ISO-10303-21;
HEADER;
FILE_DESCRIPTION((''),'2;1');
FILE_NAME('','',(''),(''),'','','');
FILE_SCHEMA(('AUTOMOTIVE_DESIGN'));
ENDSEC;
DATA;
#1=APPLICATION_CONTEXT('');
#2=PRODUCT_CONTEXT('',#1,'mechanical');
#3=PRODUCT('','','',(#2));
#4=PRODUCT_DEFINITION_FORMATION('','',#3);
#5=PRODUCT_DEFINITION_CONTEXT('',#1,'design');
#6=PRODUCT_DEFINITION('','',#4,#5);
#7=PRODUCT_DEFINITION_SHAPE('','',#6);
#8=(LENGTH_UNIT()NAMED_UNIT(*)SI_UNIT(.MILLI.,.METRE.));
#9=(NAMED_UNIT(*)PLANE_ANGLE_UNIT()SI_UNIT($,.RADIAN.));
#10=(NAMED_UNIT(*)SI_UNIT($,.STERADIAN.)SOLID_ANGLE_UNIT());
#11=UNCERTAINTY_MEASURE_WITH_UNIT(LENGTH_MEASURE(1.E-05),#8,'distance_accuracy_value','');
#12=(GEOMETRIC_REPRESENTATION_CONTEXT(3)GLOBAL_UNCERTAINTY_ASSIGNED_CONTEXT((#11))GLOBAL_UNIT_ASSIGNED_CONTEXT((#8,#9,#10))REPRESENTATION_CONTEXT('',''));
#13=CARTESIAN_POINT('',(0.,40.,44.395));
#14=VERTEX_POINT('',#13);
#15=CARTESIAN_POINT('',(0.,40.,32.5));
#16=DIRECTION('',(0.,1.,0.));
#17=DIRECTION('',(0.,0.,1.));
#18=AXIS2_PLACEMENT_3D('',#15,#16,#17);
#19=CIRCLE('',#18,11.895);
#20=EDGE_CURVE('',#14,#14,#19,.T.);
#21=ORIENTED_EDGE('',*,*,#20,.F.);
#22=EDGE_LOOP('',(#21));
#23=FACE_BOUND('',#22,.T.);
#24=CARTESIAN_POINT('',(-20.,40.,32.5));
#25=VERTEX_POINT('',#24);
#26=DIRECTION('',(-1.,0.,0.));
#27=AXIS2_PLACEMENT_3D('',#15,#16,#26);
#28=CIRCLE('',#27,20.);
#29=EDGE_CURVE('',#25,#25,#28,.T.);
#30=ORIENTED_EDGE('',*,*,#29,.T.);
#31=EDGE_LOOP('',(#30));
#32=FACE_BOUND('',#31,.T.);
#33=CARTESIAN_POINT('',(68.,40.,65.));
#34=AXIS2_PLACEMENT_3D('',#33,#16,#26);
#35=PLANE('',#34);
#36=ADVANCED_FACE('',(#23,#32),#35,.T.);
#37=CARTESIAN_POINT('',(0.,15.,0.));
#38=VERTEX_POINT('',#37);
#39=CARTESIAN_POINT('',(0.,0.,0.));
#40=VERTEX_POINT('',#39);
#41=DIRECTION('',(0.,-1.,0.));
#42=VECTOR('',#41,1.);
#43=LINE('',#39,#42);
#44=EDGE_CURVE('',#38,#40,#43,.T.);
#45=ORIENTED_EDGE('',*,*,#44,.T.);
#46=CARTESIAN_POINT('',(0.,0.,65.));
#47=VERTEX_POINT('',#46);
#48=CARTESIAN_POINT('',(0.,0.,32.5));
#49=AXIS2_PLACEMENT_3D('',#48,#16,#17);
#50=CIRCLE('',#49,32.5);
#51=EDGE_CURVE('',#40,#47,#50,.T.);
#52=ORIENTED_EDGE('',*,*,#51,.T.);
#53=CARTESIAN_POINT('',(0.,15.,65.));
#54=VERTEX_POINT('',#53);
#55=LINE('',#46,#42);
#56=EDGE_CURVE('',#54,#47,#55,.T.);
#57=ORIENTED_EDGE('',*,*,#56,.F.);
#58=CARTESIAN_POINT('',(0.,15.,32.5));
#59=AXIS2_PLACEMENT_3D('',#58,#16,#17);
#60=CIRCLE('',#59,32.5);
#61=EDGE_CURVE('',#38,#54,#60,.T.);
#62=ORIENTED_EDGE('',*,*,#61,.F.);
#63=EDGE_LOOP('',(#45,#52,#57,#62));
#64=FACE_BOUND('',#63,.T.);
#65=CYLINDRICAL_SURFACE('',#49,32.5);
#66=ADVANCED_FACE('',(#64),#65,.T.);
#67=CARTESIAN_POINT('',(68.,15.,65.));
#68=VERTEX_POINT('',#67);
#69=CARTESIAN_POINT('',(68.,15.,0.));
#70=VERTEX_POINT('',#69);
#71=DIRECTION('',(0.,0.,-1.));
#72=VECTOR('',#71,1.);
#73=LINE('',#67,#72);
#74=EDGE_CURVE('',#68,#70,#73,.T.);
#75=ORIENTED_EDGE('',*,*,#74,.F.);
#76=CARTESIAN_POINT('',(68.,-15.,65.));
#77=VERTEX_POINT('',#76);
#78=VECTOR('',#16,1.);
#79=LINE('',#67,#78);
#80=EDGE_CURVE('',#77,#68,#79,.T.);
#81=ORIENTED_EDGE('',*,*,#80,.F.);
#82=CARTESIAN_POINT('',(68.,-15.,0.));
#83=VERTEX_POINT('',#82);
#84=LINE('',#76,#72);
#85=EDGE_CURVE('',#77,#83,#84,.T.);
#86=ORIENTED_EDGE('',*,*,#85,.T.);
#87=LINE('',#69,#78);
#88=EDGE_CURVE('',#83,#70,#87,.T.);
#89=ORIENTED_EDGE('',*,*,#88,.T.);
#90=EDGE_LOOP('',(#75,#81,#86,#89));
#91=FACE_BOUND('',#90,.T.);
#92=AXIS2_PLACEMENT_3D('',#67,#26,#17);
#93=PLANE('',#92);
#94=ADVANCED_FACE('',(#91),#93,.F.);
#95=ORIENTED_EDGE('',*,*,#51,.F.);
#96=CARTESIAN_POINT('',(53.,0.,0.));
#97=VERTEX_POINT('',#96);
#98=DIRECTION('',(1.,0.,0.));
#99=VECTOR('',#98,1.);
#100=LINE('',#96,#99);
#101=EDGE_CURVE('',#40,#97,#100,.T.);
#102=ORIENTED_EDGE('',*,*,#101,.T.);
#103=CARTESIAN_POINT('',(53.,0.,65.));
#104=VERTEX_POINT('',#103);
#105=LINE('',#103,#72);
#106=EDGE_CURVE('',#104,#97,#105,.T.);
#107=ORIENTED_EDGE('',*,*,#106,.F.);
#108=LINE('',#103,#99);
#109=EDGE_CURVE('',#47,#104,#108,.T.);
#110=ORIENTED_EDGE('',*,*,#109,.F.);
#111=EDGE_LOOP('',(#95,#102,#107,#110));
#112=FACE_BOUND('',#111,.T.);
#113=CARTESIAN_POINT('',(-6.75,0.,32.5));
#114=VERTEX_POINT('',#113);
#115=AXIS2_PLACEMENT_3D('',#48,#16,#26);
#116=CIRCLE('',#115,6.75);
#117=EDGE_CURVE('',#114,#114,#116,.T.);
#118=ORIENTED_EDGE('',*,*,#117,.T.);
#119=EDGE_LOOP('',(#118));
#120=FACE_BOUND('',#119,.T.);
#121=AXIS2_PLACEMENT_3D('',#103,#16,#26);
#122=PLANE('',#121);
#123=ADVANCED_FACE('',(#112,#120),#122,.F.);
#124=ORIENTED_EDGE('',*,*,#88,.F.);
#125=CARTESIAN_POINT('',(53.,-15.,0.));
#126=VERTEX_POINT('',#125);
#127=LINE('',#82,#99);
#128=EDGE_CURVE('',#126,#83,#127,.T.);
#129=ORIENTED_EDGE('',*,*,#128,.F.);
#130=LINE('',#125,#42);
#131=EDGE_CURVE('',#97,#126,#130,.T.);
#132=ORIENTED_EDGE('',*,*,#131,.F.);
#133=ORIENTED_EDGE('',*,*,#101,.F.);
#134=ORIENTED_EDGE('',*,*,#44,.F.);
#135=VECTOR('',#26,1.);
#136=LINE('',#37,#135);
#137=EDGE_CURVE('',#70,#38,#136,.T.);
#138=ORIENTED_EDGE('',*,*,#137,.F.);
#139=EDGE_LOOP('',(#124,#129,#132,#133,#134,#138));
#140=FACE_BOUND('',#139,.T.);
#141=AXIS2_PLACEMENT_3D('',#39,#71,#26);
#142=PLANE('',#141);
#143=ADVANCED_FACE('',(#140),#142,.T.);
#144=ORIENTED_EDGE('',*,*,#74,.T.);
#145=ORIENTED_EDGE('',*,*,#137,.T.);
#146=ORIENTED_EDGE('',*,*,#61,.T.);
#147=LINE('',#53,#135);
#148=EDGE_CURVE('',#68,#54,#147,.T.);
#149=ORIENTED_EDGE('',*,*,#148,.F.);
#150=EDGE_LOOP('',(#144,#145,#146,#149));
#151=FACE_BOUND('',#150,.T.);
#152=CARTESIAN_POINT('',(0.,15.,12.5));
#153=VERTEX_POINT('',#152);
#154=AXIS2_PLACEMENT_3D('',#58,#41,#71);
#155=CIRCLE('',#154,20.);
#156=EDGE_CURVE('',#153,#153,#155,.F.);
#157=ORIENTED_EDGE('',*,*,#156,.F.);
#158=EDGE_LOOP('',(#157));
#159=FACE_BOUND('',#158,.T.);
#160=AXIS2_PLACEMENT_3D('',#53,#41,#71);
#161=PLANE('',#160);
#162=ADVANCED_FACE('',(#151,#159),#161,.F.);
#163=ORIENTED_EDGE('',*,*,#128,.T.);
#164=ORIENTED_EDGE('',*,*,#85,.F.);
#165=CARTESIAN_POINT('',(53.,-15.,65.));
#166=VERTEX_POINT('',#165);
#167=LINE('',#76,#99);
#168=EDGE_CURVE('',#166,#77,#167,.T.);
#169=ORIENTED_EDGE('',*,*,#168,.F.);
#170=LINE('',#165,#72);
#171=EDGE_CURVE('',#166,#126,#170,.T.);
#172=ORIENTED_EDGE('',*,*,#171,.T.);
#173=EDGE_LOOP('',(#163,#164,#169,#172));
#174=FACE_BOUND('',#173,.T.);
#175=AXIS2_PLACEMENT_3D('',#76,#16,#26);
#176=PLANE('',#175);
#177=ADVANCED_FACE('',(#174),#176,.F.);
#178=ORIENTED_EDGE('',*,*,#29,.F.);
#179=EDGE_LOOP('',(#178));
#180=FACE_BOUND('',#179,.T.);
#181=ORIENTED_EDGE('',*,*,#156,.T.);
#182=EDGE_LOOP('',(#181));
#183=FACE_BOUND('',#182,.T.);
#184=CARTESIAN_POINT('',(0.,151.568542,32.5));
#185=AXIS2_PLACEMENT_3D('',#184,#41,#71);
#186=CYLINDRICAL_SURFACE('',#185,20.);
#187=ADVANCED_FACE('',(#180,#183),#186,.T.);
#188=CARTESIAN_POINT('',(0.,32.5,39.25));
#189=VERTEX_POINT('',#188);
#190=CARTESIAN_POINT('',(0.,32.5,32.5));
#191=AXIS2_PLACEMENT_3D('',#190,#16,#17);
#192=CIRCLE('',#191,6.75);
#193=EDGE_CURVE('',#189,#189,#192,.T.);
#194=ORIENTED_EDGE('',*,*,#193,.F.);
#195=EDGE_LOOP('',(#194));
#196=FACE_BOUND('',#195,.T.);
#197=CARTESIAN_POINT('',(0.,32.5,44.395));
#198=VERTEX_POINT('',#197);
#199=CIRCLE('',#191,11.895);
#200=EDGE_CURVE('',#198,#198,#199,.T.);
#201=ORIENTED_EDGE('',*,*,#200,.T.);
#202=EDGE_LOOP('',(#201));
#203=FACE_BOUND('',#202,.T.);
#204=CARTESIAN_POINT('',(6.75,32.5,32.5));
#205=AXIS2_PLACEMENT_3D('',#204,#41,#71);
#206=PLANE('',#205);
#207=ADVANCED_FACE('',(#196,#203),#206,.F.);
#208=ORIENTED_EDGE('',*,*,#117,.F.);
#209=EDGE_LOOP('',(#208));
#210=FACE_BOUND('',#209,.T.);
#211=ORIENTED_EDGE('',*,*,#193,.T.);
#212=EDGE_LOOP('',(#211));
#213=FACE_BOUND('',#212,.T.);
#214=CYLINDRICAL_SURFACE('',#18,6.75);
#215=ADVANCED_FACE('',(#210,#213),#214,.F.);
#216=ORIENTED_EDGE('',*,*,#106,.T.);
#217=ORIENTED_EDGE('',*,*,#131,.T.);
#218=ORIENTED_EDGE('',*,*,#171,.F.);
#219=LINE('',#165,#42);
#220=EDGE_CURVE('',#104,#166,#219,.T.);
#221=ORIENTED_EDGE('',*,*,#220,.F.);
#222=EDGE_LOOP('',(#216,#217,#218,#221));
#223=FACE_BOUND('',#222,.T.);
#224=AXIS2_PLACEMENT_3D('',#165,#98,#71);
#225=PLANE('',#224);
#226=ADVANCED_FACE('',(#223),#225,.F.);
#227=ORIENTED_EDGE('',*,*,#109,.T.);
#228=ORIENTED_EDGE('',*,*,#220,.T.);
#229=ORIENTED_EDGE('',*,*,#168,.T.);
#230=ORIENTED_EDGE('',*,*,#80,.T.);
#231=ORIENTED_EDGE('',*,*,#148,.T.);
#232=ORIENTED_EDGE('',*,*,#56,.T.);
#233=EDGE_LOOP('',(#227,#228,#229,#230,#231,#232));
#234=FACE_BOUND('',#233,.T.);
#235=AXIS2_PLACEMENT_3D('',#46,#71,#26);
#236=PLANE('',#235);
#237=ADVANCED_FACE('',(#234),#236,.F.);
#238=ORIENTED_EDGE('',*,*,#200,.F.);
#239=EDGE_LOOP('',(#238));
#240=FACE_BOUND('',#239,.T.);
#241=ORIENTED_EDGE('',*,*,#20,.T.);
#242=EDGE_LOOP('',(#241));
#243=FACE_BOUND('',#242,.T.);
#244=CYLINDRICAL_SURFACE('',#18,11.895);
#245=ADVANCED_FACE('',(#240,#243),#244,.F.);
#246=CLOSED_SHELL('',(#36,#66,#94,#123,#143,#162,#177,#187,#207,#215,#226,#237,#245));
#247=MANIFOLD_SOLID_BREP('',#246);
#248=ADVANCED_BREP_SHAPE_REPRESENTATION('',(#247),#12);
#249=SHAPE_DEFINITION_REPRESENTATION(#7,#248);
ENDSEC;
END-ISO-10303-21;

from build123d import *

# Parameters (mm, degrees)
BOSS_EXTRUDE1_DEPTH                                 = 65
BOSS_EXTRUDE2_START                                 = -15
SKETCH2_R                                           = 32.5
BOSS_EXTRUDE2_DEPTH                                 = 15
SKETCH3_R                                           = 20
BOSS_EXTRUDE4_DEPTH                                 = 25
CBORE_FOR_1_BINDING_HEAD_MACHINE_SCREW1_D           = 13.499999924
CBORE_FOR_1_BINDING_HEAD_MACHINE_SCREW1_CBORE_D     = 23.789999918
CBORE_FOR_1_BINDING_HEAD_MACHINE_SCREW1_CBORE_DEPTH = 7.499999986


with BuildPart() as part:
    # Sketch1 → Boss-Extrude1 (new body)
    with BuildSketch(Plane.XY):
        Polygon((0, 0), (0, 15), (68, 15), (68, -15), (53, -15), (53, 0), align=None)
    extrude(amount=BOSS_EXTRUDE1_DEPTH)

    # Sketch2 → Boss-Extrude2 (add)
    with BuildSketch(Plane(origin=(0, 15, 0), x_dir=(1, 0, 0), z_dir=(0, 1, 0)).offset(BOSS_EXTRUDE2_START)):
        with Locations((0, -32.5)):
            Circle(SKETCH2_R)
    extrude(amount=BOSS_EXTRUDE2_DEPTH)

    # Sketch3 → Boss-Extrude4 (add)
    with BuildSketch(Plane(origin=(0, 15, 0), x_dir=(1, 0, 0), z_dir=(0, 1, 0))):
        with Locations(Location((0, -32.5, 0), (0, 0, 90))):
            Circle(SKETCH3_R)
    extrude(amount=BOSS_EXTRUDE4_DEPTH)

    # CBORE for #1 Binding Head Machine Screw1 (through all)
    with Locations(Plane(origin=(0, 40, 0), x_dir=(1, 0, 0), z_dir=(0, 1, 0))):
        with Locations((0, -32.5)):
            CounterBoreHole(CBORE_FOR_1_BINDING_HEAD_MACHINE_SCREW1_D / 2, CBORE_FOR_1_BINDING_HEAD_MACHINE_SCREW1_CBORE_D / 2, CBORE_FOR_1_BINDING_HEAD_MACHINE_SCREW1_CBORE_DEPTH)


solid = part.part
